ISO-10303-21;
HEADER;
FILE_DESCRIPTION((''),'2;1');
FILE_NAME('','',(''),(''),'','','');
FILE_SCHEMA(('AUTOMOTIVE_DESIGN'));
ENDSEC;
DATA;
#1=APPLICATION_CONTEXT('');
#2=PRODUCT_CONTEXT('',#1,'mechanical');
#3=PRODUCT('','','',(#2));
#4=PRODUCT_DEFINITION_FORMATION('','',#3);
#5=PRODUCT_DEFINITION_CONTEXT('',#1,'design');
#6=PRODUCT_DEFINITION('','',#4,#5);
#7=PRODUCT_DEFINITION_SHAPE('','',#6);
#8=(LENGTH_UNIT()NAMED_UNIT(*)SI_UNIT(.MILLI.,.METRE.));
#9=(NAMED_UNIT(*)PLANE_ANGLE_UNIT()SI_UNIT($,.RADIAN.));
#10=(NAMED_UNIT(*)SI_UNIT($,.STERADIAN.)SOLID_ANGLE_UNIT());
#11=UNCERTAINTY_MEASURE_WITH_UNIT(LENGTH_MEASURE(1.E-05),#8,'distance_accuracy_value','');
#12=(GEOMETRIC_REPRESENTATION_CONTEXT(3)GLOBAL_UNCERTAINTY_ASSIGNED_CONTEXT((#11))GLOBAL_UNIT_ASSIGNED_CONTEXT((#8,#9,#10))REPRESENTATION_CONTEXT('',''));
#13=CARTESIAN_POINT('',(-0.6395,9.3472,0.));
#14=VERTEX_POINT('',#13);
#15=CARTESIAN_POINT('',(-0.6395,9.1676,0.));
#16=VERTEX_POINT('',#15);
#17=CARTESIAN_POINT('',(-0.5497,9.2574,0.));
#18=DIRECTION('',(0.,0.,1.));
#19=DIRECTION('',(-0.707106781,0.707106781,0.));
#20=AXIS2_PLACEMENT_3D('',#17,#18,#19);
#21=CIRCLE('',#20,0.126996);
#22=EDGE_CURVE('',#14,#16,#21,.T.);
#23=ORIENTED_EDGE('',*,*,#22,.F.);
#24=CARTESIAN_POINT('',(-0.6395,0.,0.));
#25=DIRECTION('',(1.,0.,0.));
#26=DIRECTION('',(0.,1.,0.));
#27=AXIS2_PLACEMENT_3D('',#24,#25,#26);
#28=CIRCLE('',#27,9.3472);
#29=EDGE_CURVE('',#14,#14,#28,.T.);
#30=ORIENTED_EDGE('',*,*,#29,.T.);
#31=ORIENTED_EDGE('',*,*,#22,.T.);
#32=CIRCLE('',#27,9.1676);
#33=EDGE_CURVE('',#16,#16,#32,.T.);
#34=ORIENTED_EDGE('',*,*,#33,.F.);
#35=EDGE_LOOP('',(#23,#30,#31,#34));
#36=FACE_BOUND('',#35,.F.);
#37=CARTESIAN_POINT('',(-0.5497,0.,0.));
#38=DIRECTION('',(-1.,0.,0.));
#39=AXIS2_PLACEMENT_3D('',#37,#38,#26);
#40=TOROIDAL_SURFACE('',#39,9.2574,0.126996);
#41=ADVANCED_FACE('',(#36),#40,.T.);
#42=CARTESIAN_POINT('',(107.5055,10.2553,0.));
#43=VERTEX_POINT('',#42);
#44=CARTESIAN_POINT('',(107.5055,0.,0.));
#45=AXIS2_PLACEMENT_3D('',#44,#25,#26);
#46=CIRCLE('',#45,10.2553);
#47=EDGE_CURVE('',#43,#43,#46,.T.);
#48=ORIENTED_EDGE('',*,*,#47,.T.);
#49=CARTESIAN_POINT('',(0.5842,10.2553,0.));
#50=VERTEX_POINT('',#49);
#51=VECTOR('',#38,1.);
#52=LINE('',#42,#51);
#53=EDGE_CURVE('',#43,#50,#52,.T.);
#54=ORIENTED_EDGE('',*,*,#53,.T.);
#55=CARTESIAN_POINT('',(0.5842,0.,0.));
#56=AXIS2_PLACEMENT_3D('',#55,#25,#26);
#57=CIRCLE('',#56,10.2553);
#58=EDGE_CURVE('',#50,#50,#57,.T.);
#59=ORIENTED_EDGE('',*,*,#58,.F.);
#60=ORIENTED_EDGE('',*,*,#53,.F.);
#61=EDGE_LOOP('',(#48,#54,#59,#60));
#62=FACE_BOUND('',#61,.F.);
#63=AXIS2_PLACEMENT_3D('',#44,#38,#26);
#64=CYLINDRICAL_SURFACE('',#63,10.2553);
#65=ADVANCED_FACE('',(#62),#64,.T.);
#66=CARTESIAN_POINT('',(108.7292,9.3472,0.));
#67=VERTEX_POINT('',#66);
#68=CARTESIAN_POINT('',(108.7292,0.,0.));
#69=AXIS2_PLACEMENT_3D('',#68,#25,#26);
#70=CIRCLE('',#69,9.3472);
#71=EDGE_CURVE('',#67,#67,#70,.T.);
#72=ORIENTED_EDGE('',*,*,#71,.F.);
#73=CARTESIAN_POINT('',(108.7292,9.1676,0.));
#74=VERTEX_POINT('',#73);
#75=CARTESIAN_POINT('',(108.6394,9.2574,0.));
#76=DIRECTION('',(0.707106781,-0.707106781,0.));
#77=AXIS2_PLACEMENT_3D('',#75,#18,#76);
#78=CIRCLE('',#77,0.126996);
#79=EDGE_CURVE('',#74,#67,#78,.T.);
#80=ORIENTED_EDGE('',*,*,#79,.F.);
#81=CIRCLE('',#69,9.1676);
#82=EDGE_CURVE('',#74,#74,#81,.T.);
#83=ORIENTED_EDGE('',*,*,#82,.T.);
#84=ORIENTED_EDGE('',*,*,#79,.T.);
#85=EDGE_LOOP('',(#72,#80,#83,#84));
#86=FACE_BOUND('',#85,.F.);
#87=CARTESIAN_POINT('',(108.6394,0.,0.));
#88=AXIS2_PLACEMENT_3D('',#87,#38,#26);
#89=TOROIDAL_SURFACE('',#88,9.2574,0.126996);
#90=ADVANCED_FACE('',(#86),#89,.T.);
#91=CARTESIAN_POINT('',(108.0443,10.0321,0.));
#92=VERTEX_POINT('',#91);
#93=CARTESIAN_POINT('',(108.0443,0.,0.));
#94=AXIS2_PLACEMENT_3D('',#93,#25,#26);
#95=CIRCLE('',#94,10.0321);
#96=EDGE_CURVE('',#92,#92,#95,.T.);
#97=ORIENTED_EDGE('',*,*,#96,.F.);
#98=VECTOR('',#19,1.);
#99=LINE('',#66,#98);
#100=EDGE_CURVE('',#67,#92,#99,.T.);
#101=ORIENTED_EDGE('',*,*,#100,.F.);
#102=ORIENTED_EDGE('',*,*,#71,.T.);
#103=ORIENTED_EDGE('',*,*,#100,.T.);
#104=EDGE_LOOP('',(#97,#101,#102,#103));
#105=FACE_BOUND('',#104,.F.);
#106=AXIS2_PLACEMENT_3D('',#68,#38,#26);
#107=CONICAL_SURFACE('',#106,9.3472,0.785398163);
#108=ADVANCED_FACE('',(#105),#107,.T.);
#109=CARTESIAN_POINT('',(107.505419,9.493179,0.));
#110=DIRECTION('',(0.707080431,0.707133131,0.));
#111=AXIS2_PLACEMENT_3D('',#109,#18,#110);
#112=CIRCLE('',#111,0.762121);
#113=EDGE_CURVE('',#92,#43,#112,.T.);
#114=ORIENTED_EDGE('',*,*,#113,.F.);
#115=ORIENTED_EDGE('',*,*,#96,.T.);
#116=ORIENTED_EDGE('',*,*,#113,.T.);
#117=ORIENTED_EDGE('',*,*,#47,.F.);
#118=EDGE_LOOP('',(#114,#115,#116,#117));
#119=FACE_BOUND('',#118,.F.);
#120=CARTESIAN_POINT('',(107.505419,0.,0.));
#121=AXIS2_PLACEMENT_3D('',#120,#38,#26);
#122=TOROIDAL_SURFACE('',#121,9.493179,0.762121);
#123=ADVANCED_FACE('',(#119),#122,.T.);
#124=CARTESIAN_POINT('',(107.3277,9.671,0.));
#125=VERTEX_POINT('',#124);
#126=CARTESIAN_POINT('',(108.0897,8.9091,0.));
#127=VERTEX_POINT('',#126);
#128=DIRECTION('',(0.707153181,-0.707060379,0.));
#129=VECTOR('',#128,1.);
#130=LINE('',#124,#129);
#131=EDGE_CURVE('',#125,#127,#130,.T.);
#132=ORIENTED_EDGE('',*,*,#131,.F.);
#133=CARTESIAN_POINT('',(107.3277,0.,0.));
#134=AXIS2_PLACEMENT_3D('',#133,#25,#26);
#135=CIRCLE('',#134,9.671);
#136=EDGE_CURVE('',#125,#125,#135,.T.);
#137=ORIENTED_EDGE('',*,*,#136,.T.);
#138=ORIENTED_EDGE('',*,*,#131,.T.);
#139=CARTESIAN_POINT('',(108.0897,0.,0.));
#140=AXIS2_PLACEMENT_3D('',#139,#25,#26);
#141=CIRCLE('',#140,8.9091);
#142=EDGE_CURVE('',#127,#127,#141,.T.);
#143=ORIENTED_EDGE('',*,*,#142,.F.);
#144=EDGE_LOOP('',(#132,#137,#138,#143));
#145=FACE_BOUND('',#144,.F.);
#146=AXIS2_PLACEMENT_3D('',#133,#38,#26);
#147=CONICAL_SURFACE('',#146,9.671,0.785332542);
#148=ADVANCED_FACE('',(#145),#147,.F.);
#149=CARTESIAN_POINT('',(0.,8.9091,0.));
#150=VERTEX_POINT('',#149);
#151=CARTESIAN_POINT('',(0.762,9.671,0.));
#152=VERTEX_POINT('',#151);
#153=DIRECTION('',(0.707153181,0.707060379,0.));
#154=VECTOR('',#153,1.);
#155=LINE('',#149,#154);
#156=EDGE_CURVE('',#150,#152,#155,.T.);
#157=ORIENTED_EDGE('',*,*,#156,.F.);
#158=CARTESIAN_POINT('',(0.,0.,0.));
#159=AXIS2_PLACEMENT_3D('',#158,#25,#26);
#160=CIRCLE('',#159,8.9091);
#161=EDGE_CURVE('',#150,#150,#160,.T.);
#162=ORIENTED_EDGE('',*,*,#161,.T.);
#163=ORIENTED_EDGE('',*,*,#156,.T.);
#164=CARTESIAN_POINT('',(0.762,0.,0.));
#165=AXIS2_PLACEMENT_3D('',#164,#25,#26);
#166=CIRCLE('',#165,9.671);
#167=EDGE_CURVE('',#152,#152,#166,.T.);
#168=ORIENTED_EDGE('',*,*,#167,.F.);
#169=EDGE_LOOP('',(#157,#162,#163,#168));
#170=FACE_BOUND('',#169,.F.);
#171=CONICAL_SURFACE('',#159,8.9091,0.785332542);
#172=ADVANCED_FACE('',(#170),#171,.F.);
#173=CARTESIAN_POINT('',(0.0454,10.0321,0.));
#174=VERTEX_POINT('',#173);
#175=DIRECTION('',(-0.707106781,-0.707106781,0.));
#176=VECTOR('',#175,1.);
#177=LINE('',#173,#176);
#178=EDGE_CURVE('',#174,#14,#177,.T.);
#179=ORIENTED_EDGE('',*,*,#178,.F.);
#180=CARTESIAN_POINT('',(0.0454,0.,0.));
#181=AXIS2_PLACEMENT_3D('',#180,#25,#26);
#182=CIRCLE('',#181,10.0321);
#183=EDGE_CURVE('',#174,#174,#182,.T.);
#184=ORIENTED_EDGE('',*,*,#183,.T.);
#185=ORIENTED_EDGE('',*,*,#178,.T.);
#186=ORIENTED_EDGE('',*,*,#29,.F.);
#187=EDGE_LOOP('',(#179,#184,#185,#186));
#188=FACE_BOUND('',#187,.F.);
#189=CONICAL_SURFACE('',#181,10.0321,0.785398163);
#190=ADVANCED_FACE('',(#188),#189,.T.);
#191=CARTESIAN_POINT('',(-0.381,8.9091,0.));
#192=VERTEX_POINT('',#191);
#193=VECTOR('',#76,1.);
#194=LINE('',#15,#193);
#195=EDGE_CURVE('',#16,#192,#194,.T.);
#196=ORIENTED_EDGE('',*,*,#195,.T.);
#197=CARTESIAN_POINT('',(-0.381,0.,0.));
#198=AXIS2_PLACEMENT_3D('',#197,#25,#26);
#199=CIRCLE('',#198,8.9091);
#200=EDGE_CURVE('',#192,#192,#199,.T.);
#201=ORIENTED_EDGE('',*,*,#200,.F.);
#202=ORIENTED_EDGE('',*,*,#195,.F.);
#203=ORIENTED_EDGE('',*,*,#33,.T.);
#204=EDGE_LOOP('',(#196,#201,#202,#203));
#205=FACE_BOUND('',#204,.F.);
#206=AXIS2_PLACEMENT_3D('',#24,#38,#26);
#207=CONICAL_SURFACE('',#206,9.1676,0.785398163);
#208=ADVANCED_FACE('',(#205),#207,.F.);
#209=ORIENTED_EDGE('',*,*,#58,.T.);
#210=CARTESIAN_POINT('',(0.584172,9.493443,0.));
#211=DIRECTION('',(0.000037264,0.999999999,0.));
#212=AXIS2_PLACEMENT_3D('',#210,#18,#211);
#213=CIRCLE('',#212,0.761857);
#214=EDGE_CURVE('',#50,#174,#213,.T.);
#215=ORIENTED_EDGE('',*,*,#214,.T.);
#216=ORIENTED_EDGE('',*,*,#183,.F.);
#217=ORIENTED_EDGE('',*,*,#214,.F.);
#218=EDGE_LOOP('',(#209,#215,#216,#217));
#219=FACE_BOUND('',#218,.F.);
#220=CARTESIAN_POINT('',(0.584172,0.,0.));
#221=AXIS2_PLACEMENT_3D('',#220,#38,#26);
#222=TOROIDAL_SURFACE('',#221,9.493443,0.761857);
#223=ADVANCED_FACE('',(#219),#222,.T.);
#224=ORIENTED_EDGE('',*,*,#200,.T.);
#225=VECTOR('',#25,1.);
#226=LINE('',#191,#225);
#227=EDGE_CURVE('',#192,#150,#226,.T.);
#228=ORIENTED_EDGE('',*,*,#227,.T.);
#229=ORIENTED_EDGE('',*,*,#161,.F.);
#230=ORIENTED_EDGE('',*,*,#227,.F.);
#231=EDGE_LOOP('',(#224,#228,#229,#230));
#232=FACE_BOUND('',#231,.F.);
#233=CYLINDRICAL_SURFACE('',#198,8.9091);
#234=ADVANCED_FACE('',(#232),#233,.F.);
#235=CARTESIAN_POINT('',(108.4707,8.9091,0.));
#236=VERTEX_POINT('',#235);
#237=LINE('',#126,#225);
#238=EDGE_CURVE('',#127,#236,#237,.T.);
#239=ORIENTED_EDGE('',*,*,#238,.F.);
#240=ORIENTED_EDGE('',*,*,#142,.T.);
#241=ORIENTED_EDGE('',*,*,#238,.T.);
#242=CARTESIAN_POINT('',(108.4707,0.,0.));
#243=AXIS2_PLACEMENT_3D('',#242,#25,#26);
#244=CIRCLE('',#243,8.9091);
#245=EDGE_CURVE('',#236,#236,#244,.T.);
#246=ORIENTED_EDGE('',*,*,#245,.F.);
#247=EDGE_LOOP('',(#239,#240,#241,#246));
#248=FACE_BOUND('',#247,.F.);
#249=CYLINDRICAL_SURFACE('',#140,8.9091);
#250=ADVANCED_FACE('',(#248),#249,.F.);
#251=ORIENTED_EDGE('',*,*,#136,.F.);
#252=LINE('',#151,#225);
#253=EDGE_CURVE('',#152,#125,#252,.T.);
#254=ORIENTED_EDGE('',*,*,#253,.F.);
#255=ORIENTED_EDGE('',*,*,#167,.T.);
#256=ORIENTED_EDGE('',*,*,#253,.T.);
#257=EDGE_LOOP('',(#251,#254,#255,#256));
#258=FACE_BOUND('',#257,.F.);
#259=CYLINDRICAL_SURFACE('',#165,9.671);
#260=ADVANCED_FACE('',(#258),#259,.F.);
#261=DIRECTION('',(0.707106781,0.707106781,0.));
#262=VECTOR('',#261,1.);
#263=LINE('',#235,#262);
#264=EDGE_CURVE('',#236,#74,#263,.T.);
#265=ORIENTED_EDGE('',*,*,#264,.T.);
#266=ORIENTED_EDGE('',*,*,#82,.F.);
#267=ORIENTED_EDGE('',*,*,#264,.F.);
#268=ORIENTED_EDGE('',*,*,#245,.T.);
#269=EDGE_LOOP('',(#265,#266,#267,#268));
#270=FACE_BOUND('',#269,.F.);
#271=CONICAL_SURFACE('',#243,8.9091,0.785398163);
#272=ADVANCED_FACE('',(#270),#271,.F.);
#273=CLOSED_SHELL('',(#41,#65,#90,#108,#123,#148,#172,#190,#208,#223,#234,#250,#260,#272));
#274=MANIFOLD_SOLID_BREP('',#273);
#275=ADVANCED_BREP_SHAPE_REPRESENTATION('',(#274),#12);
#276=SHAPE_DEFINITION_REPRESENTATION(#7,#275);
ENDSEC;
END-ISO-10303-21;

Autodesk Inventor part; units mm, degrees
sketch "Sketch_1" plane through (0, 0, 0) normal (0, 0, 1) x (1, 0, 0)
  line L0 (108.0897, 0) -> (0, 0)
  arc A0 (-0.6395, 9.3472) -> (-0.6395, 9.1676) centre (-0.5497, 9.2574) ccw
  line L1 (-0.6395, 9.1676) -> (-0.381, 8.9091)
  line L2 (-0.381, 8.9091) -> (0, 8.9091)
  line L3 (0, 8.9091) -> (0.762, 9.671)
  line L4 (0.762, 9.671) -> (107.3277, 9.671)
  line L5 (107.3277, 9.671) -> (108.0897, 8.9091)
  line L6 (108.0897, 8.9091) -> (108.4707, 8.9091)
  line L7 (108.4707, 8.9091) -> (108.7292, 9.1676)
  arc A1 (108.7292, 9.1676) -> (108.7292, 9.3472) centre (108.6394, 9.2574) ccw
  line L8 (108.7292, 9.3472) -> (108.0443, 10.0321)
  arc A2 (108.0443, 10.0321) -> (107.5055, 10.2553) centre (107.5055, 9.4933) ccw
  line L9 (107.5055, 10.2553) -> (0.5842, 10.2553)
  arc A3 (0.5842, 10.2553) -> (0.0454, 10.0321) centre (0.5842, 9.4933) ccw
  line L10 (0.0454, 10.0321) -> (-0.6395, 9.3472)
revolve "Revolution1" add sketch "Sketch_1" angle 360 about axis through (108.0897, 0, 0) along (1, 0, 0)
ref_plane "cp1_XY" through (54.0449, 10.2553, 0) normal (1, 0, 0) x (0, 0, -1)
ref_plane "cp1_YZ" through (54.0449, 10.2553, 0) normal (0, 0, -1) x (0, 1, 0)
ref_plane "cp1_ZX" through (54.0449, 10.2553, 0) normal (0, 1, 0) x (1, 0, 0)
ref_plane "cp2_XY" through (54.0449, 0, -10.2553) normal (1, 0, 0) x (0, 0, -1)
ref_plane "cp2_YZ" through (54.0449, 0, -10.2553) normal (0, 0, -1) x (0, 1, 0)
ref_plane "cp2_ZX" through (54.0449, 0, -10.2553) normal (0, 1, 0) x (1, 0, 0)
ref_plane "cp3_XY" through (54.0449, -10.2553, 0) normal (1, 0, 0) x (0, 0, -1)
ref_plane "cp3_YZ" through (54.0449, -10.2553, 0) normal (0, 0, -1) x (0, 1, 0)
ref_plane "cp3_ZX" through (54.0449, -10.2553, 0) normal (0, 1, 0) x (1, 0, 0)
ref_plane "cp4_XY" through (54.0449, 0, 10.2553) normal (1, 0, 0) x (0, 0, -1)
ref_plane "cp4_YZ" through (54.0449, 0, 10.2553) normal (0, 0, -1) x (0, 1, 0)
ref_plane "cp4_ZX" through (54.0449, 0, 10.2553) normal (0, 1, 0) x (1, 0, 0)
ref_plane "tube_front_XY" through (0, 0, 0) normal (1, 0, 0) x (0, 0, -1)
ref_plane "tube_front_YZ" through (0, 0, 0) normal (0, 0, -1) x (0, 1, 0)
ref_plane "tube_front_ZX" through (0, 0, 0) normal (0, 1, 0) x (1, 0, 0)
ref_plane "tube_rear_XY" through (108.0897, 0, 0) normal (1, 0, 0) x (0, 0, -1)
ref_plane "tube_rear_YZ" through (108.0897, 0, 0) normal (0, 0, -1) x (0, 1, 0)
ref_plane "tube_rear_ZX" through (108.0897, 0, 0) normal (0, 1, 0) x (1, 0, 0)
properties part number "04R-4.25550C"
